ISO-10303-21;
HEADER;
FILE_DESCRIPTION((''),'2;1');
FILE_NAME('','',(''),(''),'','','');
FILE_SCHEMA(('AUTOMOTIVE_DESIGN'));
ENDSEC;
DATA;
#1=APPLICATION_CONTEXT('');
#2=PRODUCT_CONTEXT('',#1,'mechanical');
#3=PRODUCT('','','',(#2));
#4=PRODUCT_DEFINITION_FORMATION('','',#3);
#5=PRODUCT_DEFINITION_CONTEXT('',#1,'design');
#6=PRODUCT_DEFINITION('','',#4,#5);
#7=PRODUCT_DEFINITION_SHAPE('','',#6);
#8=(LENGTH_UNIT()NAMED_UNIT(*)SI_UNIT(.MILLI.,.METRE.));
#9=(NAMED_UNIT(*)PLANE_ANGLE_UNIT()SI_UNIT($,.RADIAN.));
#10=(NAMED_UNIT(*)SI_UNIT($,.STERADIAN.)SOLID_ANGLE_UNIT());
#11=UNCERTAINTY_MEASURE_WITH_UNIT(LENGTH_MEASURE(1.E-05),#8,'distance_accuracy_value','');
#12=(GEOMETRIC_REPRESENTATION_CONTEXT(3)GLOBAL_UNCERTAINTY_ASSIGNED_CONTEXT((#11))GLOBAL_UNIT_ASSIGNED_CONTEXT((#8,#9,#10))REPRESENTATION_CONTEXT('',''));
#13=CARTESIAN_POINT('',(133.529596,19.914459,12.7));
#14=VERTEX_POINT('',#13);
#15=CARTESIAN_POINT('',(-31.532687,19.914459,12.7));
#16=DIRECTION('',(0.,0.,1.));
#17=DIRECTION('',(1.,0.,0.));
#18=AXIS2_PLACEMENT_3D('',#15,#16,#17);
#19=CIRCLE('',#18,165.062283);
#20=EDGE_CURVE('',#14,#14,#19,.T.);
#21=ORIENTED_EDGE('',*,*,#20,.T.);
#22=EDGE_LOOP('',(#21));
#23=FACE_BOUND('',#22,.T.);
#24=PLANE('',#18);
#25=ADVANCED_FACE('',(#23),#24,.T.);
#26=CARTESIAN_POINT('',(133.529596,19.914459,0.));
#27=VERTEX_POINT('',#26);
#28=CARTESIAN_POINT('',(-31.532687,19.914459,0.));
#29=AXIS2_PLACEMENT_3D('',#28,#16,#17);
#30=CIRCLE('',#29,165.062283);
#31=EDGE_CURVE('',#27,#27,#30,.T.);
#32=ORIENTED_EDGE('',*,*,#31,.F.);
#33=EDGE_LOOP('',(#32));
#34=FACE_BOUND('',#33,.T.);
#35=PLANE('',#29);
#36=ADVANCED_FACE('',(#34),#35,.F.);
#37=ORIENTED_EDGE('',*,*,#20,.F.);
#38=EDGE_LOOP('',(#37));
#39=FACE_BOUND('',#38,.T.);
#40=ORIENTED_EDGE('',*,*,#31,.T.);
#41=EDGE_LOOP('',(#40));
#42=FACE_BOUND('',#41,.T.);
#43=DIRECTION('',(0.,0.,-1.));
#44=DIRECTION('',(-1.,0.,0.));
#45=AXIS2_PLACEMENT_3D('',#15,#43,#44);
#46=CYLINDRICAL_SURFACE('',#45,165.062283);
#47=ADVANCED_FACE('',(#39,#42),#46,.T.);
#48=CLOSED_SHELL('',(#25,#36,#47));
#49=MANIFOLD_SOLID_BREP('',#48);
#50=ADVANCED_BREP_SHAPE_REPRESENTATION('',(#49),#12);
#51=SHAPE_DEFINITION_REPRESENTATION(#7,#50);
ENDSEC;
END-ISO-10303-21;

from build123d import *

# Parameters (mm, degrees)
SKETCH1_R           = 165.062282849
BOSS_EXTRUDE1_DEPTH = 12.7


with BuildPart() as part:
    # Sketch1 → Boss-Extrude1 (new body)
    with BuildSketch(Plane.XY):
        with Locations((-31.532687059, 19.91445928)):
            Circle(SKETCH1_R)
    extrude(amount=BOSS_EXTRUDE1_DEPTH)


solid = part.part
